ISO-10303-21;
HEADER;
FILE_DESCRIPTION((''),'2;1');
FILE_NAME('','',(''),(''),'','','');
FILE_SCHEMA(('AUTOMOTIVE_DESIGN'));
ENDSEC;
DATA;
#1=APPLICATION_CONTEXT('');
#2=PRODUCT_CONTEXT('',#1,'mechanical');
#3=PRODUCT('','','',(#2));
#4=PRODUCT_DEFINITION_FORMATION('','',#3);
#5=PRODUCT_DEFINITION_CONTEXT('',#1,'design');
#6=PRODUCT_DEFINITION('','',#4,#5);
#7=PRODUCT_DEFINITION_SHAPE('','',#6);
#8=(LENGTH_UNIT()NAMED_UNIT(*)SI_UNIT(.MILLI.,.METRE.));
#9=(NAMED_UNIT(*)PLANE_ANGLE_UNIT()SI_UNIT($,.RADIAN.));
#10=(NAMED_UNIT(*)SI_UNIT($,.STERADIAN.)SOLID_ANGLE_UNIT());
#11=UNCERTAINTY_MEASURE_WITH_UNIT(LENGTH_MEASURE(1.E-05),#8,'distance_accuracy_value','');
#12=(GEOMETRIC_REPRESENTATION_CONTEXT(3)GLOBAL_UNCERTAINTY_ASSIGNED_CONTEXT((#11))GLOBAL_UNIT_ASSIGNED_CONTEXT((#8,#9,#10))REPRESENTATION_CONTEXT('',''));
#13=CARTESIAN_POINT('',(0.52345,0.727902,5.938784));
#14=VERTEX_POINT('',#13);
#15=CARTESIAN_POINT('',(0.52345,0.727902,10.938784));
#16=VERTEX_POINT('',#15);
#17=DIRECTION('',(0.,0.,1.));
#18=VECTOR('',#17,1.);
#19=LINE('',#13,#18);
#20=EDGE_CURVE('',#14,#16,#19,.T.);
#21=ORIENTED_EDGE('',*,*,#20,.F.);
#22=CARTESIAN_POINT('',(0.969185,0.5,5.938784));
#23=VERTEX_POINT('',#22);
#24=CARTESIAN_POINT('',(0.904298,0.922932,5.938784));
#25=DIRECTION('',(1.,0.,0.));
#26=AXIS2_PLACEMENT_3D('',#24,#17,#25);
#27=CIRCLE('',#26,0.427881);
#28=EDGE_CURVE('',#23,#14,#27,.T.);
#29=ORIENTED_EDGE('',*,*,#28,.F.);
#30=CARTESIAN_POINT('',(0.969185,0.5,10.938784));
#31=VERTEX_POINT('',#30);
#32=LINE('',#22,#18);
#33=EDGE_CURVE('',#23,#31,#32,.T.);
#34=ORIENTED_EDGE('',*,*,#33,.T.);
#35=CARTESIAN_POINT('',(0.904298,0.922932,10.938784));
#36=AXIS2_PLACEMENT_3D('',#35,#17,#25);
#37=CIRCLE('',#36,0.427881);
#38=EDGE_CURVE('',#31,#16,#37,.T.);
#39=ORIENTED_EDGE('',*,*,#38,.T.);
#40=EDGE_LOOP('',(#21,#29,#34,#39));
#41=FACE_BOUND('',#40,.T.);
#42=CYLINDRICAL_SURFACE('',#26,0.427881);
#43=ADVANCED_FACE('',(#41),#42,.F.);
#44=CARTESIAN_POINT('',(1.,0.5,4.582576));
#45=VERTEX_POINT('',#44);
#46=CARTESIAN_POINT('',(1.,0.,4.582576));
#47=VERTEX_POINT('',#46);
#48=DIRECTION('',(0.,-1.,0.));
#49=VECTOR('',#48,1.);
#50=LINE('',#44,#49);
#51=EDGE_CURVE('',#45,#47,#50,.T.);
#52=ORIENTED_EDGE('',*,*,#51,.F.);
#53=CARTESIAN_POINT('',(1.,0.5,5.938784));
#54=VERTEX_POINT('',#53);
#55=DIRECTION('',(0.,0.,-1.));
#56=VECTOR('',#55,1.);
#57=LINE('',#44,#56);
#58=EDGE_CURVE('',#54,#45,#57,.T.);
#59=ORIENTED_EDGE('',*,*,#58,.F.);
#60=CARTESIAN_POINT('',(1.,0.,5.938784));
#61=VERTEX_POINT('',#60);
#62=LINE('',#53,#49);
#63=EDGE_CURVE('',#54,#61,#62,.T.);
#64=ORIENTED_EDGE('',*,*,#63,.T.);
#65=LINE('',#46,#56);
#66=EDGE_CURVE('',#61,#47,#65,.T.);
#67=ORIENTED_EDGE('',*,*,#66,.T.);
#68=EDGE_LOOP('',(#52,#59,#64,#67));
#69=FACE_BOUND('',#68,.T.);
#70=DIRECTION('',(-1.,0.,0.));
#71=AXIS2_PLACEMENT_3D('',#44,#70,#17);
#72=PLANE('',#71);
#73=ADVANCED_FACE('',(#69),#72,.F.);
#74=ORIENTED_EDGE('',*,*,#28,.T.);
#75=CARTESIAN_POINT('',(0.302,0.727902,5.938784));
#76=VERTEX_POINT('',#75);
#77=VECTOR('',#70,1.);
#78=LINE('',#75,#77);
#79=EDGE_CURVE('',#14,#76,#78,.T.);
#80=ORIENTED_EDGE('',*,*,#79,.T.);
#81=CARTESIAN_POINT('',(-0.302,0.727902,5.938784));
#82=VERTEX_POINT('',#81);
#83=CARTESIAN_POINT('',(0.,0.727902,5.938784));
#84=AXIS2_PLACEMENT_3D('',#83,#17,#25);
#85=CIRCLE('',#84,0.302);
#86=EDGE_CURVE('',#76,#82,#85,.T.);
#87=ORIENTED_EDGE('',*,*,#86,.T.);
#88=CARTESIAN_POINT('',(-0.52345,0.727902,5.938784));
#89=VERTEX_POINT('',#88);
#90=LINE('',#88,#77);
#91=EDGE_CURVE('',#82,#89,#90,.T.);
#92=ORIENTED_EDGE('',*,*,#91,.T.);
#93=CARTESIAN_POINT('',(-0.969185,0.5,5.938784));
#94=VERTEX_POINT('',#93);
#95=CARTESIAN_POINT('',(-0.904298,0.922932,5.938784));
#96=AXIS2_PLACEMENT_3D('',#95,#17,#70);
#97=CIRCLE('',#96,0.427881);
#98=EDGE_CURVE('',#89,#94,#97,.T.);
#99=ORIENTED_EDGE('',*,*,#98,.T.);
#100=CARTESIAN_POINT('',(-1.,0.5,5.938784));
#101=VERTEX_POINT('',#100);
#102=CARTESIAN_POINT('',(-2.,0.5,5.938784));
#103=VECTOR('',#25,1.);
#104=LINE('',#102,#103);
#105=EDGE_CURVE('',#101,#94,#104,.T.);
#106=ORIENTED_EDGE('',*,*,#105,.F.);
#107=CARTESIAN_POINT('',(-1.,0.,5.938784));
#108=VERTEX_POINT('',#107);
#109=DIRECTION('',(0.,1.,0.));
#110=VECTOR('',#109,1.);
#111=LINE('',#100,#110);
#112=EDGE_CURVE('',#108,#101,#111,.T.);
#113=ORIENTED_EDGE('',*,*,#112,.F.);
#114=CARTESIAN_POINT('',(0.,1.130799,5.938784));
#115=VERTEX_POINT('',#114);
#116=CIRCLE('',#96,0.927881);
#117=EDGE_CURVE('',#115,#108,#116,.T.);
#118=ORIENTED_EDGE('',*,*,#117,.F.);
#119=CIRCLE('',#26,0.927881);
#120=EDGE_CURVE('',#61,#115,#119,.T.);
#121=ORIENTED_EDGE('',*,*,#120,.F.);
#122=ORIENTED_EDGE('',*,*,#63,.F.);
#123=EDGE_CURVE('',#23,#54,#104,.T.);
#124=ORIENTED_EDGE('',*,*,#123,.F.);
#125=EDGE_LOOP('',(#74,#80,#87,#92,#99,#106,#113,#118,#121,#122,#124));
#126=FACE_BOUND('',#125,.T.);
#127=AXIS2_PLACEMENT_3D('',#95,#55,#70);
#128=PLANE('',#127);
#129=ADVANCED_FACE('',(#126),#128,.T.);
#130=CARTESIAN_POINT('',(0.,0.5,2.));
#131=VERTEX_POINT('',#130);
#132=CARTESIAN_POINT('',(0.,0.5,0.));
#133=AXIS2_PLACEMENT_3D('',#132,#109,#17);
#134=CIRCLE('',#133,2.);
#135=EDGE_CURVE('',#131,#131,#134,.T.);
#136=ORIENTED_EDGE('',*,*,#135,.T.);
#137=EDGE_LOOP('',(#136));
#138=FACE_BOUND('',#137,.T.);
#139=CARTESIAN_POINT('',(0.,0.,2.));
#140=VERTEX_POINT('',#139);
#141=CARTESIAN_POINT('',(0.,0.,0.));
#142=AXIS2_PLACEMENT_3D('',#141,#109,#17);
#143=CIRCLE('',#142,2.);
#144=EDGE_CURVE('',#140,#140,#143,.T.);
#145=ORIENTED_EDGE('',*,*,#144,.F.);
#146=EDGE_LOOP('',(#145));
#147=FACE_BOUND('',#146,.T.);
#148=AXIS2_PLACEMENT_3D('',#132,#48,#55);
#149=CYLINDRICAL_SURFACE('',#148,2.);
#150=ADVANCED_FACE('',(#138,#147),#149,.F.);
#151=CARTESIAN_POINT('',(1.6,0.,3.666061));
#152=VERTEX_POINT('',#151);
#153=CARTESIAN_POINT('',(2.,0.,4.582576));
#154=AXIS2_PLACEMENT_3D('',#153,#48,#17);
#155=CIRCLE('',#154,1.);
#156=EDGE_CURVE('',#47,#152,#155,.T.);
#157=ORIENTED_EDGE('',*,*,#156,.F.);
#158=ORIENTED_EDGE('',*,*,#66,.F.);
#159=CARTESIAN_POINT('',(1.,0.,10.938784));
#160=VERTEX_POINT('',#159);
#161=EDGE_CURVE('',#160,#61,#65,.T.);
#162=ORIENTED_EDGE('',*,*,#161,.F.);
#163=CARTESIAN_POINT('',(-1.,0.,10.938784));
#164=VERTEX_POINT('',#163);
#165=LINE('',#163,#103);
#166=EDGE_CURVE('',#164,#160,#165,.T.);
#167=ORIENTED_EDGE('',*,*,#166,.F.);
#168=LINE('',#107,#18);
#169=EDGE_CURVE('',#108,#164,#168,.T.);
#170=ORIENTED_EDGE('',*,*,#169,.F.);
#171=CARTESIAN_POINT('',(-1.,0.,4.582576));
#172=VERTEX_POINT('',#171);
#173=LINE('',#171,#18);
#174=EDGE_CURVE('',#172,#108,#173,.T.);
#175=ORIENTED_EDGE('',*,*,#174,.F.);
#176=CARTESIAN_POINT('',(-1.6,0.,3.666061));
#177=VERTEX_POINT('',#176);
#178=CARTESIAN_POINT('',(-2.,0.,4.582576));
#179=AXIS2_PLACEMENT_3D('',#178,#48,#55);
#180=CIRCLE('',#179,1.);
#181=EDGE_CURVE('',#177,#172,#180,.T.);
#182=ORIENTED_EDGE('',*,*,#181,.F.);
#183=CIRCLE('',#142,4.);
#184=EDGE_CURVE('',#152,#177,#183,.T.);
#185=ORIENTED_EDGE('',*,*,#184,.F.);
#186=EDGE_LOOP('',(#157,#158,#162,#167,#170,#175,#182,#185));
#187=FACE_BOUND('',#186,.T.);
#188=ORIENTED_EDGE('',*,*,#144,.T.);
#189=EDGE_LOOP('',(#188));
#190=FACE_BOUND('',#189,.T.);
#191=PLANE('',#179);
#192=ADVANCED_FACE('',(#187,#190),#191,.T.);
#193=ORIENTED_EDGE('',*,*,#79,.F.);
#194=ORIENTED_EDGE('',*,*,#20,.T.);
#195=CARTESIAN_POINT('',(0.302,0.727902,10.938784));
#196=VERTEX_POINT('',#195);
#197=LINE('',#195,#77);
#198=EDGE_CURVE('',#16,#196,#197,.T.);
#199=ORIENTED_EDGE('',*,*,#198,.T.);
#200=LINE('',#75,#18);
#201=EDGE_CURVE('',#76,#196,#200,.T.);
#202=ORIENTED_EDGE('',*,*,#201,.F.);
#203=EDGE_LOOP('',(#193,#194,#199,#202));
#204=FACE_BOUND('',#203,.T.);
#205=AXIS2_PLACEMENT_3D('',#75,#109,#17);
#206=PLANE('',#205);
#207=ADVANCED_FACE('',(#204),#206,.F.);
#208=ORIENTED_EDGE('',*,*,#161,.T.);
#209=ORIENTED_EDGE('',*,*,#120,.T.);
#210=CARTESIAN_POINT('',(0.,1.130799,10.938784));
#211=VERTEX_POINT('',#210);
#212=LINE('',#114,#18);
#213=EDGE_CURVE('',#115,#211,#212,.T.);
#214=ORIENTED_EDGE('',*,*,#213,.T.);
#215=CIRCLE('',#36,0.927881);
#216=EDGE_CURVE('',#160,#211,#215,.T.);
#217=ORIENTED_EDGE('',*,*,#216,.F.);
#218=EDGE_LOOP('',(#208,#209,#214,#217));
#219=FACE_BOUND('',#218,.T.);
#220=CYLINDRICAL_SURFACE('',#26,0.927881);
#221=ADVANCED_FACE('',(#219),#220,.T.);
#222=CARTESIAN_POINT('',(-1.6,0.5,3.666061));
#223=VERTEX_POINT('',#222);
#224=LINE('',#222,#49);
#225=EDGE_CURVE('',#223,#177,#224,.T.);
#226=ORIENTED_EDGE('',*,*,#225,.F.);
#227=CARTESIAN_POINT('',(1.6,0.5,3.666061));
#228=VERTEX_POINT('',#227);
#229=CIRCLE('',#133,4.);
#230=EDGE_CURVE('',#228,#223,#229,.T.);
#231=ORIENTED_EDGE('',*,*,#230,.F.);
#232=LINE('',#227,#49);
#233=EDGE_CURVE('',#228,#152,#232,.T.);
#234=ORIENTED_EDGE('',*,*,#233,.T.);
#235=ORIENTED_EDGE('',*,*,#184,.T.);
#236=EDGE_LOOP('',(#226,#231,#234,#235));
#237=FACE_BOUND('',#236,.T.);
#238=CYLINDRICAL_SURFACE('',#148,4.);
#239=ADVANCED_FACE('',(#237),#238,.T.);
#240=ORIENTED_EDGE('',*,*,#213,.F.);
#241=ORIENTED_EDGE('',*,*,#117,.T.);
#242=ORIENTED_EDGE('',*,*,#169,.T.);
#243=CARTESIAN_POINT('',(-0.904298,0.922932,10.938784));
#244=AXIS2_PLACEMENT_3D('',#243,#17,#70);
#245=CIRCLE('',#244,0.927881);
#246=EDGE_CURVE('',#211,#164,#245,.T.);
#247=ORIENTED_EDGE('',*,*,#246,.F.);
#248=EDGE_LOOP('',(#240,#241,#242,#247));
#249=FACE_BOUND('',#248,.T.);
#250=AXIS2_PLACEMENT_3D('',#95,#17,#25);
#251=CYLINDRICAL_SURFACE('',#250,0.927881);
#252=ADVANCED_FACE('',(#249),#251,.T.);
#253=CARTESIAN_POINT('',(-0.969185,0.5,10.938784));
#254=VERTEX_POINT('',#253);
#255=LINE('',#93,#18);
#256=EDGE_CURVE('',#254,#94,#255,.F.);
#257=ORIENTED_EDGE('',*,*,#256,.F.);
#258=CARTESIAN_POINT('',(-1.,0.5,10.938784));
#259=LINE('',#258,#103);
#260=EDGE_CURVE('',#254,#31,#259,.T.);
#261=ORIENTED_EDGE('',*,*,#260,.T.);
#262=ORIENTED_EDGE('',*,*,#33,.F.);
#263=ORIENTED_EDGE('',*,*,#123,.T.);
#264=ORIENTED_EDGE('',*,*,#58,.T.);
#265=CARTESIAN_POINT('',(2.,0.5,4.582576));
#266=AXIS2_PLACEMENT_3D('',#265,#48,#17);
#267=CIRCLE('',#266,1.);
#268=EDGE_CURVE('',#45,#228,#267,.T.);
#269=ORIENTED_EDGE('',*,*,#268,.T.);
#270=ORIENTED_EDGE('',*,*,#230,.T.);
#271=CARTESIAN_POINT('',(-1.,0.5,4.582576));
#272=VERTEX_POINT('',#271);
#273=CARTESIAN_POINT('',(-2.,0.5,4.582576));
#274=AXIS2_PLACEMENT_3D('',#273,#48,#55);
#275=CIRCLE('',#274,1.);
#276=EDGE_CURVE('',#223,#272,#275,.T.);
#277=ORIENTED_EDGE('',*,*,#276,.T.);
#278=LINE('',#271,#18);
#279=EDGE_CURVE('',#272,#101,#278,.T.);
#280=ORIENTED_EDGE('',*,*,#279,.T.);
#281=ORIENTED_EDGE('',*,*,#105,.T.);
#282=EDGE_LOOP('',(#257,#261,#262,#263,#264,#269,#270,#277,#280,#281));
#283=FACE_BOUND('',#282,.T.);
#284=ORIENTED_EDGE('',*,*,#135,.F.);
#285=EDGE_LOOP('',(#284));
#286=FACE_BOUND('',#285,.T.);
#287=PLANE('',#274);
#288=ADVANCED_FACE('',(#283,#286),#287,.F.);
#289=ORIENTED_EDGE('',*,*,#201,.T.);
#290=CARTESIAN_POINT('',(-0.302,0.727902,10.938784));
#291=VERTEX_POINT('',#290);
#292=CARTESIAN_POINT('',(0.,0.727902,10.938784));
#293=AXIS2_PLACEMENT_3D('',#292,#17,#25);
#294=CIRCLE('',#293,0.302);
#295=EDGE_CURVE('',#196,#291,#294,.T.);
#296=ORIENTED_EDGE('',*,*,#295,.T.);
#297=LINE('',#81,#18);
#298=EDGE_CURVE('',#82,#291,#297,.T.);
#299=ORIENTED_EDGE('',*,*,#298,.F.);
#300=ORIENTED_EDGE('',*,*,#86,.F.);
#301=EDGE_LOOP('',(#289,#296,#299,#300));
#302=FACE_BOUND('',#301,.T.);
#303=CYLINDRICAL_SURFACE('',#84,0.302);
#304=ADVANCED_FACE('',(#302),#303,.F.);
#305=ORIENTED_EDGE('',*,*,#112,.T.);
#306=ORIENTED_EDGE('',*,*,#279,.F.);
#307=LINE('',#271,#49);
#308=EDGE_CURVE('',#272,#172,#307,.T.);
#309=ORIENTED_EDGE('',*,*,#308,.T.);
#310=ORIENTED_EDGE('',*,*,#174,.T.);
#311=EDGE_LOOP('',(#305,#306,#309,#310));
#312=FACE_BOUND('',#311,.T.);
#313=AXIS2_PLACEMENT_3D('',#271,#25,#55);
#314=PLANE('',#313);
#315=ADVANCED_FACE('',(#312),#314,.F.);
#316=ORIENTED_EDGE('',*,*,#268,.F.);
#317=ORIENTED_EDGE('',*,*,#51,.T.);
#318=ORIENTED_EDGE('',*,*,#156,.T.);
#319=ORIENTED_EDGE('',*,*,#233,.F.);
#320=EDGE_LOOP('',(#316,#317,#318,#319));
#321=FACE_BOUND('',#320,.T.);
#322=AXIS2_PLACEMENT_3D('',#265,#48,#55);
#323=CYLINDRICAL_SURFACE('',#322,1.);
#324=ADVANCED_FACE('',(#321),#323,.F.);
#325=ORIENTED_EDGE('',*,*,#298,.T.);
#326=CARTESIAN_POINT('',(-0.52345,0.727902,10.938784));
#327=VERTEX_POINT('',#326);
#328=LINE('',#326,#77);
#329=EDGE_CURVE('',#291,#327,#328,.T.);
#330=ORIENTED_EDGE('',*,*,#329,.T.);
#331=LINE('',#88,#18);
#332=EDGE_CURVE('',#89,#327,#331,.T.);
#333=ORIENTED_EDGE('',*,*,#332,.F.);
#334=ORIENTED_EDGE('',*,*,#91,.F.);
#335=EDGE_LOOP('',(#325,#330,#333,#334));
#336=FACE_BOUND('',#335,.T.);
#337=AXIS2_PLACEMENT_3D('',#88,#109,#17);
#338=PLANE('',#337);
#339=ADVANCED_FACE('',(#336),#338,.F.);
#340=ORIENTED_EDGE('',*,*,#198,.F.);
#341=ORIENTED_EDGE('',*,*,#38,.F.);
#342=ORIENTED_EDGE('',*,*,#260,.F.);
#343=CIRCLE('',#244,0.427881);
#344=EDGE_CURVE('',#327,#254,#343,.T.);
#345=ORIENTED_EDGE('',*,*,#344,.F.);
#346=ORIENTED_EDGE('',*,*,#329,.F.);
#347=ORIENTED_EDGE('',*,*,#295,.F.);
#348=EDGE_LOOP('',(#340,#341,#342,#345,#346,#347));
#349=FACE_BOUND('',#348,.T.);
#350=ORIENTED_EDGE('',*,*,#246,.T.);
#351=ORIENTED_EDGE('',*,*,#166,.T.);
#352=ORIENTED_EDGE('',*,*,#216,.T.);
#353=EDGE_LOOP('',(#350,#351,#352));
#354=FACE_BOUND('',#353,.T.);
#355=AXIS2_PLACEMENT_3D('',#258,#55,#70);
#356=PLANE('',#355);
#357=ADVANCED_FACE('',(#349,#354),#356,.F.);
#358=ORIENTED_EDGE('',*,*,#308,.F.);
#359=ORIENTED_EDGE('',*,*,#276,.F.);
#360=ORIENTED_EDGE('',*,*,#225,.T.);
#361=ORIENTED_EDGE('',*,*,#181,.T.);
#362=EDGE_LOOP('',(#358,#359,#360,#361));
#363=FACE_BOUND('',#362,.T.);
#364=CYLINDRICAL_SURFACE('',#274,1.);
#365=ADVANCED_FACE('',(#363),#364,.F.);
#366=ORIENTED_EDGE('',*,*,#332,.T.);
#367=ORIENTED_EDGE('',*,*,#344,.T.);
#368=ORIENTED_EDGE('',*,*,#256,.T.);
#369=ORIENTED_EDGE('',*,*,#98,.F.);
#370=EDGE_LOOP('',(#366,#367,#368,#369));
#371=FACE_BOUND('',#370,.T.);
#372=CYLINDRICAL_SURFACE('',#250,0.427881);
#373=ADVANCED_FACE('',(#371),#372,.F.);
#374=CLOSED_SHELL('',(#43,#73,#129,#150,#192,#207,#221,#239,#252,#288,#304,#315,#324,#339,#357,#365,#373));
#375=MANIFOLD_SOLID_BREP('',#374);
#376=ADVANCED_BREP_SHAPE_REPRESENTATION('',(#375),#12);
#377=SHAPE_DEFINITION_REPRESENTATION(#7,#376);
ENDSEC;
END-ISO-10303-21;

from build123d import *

# Parameters (mm, degrees)
ESQUISSE1_R      = 2
EXTRUSION1_DEPTH = 0.5
EXTRUSION2_DEPTH = 5


with BuildPart() as part:
    # Esquisse1 → Extrusion1 (new body)
    with BuildSketch(Plane(origin=(0, 0, 0), x_dir=(1, 0, 0), z_dir=(0, 1, 0))):
        with BuildLine():
            Line((-1, -10.93878444), (1, -10.93878444))
            Line((1, -10.93878444), (1, -4.582575695))
            ThreePointArc((1, -4.582575695), (1.163339973, -4.034853137), (1.6, -3.666060556))
            ThreePointArc((1.6, -3.666060556), (0, 4), (-1.6, -3.666060556))
            ThreePointArc((-1.6, -3.666060556), (-1.163339973, -4.034853137), (-1, -4.582575695))
            Line((-1, -4.582575695), (-1, -10.93878444))
        make_face()
        with Locations(Location((0, 0, 0), (0, 0, 270))):  # turned: the seam where the file's is
            Circle(ESQUISSE1_R, mode=Mode.SUBTRACT)
    extrude(amount=EXTRUSION1_DEPTH)

    # Esquisse2 → Extrusion2 (add)
    with BuildSketch(Plane.XY.offset(10.93878444)):
        with BuildLine():
            Line((1, 0), (-1, 0))
            ThreePointArc((-1, 0), (-1.599375594, 1.537610938), (0, 1.130798685))
            ThreePointArc((0, 1.130798685), (1.599375594, 1.537610938), (1, 0))
        make_face()
        with BuildLine():
            Line((-0.52344962, 0.727902261), (-0.302000478, 0.727902261))
            ThreePointArc((-0.302000478, 0.727902261), (0, 1.029902739), (0.302000478, 0.727902261))
            Line((0.302000478, 0.727902261), (0.52344962, 0.727902261))
            ThreePointArc((0.52344962, 0.727902261), (1.108344285, 1.299026833), (0.948429699, 0.497333393))
            Line((0.948429699, 0.497333393), (-0.948429699, 0.497333393))
            ThreePointArc((-0.948429699, 0.497333393), (-1.108344285, 1.299026833), (-0.52344962, 0.727902261))
        make_face(mode=Mode.SUBTRACT)
    extrude(amount=-EXTRUSION2_DEPTH)


solid = part.part
